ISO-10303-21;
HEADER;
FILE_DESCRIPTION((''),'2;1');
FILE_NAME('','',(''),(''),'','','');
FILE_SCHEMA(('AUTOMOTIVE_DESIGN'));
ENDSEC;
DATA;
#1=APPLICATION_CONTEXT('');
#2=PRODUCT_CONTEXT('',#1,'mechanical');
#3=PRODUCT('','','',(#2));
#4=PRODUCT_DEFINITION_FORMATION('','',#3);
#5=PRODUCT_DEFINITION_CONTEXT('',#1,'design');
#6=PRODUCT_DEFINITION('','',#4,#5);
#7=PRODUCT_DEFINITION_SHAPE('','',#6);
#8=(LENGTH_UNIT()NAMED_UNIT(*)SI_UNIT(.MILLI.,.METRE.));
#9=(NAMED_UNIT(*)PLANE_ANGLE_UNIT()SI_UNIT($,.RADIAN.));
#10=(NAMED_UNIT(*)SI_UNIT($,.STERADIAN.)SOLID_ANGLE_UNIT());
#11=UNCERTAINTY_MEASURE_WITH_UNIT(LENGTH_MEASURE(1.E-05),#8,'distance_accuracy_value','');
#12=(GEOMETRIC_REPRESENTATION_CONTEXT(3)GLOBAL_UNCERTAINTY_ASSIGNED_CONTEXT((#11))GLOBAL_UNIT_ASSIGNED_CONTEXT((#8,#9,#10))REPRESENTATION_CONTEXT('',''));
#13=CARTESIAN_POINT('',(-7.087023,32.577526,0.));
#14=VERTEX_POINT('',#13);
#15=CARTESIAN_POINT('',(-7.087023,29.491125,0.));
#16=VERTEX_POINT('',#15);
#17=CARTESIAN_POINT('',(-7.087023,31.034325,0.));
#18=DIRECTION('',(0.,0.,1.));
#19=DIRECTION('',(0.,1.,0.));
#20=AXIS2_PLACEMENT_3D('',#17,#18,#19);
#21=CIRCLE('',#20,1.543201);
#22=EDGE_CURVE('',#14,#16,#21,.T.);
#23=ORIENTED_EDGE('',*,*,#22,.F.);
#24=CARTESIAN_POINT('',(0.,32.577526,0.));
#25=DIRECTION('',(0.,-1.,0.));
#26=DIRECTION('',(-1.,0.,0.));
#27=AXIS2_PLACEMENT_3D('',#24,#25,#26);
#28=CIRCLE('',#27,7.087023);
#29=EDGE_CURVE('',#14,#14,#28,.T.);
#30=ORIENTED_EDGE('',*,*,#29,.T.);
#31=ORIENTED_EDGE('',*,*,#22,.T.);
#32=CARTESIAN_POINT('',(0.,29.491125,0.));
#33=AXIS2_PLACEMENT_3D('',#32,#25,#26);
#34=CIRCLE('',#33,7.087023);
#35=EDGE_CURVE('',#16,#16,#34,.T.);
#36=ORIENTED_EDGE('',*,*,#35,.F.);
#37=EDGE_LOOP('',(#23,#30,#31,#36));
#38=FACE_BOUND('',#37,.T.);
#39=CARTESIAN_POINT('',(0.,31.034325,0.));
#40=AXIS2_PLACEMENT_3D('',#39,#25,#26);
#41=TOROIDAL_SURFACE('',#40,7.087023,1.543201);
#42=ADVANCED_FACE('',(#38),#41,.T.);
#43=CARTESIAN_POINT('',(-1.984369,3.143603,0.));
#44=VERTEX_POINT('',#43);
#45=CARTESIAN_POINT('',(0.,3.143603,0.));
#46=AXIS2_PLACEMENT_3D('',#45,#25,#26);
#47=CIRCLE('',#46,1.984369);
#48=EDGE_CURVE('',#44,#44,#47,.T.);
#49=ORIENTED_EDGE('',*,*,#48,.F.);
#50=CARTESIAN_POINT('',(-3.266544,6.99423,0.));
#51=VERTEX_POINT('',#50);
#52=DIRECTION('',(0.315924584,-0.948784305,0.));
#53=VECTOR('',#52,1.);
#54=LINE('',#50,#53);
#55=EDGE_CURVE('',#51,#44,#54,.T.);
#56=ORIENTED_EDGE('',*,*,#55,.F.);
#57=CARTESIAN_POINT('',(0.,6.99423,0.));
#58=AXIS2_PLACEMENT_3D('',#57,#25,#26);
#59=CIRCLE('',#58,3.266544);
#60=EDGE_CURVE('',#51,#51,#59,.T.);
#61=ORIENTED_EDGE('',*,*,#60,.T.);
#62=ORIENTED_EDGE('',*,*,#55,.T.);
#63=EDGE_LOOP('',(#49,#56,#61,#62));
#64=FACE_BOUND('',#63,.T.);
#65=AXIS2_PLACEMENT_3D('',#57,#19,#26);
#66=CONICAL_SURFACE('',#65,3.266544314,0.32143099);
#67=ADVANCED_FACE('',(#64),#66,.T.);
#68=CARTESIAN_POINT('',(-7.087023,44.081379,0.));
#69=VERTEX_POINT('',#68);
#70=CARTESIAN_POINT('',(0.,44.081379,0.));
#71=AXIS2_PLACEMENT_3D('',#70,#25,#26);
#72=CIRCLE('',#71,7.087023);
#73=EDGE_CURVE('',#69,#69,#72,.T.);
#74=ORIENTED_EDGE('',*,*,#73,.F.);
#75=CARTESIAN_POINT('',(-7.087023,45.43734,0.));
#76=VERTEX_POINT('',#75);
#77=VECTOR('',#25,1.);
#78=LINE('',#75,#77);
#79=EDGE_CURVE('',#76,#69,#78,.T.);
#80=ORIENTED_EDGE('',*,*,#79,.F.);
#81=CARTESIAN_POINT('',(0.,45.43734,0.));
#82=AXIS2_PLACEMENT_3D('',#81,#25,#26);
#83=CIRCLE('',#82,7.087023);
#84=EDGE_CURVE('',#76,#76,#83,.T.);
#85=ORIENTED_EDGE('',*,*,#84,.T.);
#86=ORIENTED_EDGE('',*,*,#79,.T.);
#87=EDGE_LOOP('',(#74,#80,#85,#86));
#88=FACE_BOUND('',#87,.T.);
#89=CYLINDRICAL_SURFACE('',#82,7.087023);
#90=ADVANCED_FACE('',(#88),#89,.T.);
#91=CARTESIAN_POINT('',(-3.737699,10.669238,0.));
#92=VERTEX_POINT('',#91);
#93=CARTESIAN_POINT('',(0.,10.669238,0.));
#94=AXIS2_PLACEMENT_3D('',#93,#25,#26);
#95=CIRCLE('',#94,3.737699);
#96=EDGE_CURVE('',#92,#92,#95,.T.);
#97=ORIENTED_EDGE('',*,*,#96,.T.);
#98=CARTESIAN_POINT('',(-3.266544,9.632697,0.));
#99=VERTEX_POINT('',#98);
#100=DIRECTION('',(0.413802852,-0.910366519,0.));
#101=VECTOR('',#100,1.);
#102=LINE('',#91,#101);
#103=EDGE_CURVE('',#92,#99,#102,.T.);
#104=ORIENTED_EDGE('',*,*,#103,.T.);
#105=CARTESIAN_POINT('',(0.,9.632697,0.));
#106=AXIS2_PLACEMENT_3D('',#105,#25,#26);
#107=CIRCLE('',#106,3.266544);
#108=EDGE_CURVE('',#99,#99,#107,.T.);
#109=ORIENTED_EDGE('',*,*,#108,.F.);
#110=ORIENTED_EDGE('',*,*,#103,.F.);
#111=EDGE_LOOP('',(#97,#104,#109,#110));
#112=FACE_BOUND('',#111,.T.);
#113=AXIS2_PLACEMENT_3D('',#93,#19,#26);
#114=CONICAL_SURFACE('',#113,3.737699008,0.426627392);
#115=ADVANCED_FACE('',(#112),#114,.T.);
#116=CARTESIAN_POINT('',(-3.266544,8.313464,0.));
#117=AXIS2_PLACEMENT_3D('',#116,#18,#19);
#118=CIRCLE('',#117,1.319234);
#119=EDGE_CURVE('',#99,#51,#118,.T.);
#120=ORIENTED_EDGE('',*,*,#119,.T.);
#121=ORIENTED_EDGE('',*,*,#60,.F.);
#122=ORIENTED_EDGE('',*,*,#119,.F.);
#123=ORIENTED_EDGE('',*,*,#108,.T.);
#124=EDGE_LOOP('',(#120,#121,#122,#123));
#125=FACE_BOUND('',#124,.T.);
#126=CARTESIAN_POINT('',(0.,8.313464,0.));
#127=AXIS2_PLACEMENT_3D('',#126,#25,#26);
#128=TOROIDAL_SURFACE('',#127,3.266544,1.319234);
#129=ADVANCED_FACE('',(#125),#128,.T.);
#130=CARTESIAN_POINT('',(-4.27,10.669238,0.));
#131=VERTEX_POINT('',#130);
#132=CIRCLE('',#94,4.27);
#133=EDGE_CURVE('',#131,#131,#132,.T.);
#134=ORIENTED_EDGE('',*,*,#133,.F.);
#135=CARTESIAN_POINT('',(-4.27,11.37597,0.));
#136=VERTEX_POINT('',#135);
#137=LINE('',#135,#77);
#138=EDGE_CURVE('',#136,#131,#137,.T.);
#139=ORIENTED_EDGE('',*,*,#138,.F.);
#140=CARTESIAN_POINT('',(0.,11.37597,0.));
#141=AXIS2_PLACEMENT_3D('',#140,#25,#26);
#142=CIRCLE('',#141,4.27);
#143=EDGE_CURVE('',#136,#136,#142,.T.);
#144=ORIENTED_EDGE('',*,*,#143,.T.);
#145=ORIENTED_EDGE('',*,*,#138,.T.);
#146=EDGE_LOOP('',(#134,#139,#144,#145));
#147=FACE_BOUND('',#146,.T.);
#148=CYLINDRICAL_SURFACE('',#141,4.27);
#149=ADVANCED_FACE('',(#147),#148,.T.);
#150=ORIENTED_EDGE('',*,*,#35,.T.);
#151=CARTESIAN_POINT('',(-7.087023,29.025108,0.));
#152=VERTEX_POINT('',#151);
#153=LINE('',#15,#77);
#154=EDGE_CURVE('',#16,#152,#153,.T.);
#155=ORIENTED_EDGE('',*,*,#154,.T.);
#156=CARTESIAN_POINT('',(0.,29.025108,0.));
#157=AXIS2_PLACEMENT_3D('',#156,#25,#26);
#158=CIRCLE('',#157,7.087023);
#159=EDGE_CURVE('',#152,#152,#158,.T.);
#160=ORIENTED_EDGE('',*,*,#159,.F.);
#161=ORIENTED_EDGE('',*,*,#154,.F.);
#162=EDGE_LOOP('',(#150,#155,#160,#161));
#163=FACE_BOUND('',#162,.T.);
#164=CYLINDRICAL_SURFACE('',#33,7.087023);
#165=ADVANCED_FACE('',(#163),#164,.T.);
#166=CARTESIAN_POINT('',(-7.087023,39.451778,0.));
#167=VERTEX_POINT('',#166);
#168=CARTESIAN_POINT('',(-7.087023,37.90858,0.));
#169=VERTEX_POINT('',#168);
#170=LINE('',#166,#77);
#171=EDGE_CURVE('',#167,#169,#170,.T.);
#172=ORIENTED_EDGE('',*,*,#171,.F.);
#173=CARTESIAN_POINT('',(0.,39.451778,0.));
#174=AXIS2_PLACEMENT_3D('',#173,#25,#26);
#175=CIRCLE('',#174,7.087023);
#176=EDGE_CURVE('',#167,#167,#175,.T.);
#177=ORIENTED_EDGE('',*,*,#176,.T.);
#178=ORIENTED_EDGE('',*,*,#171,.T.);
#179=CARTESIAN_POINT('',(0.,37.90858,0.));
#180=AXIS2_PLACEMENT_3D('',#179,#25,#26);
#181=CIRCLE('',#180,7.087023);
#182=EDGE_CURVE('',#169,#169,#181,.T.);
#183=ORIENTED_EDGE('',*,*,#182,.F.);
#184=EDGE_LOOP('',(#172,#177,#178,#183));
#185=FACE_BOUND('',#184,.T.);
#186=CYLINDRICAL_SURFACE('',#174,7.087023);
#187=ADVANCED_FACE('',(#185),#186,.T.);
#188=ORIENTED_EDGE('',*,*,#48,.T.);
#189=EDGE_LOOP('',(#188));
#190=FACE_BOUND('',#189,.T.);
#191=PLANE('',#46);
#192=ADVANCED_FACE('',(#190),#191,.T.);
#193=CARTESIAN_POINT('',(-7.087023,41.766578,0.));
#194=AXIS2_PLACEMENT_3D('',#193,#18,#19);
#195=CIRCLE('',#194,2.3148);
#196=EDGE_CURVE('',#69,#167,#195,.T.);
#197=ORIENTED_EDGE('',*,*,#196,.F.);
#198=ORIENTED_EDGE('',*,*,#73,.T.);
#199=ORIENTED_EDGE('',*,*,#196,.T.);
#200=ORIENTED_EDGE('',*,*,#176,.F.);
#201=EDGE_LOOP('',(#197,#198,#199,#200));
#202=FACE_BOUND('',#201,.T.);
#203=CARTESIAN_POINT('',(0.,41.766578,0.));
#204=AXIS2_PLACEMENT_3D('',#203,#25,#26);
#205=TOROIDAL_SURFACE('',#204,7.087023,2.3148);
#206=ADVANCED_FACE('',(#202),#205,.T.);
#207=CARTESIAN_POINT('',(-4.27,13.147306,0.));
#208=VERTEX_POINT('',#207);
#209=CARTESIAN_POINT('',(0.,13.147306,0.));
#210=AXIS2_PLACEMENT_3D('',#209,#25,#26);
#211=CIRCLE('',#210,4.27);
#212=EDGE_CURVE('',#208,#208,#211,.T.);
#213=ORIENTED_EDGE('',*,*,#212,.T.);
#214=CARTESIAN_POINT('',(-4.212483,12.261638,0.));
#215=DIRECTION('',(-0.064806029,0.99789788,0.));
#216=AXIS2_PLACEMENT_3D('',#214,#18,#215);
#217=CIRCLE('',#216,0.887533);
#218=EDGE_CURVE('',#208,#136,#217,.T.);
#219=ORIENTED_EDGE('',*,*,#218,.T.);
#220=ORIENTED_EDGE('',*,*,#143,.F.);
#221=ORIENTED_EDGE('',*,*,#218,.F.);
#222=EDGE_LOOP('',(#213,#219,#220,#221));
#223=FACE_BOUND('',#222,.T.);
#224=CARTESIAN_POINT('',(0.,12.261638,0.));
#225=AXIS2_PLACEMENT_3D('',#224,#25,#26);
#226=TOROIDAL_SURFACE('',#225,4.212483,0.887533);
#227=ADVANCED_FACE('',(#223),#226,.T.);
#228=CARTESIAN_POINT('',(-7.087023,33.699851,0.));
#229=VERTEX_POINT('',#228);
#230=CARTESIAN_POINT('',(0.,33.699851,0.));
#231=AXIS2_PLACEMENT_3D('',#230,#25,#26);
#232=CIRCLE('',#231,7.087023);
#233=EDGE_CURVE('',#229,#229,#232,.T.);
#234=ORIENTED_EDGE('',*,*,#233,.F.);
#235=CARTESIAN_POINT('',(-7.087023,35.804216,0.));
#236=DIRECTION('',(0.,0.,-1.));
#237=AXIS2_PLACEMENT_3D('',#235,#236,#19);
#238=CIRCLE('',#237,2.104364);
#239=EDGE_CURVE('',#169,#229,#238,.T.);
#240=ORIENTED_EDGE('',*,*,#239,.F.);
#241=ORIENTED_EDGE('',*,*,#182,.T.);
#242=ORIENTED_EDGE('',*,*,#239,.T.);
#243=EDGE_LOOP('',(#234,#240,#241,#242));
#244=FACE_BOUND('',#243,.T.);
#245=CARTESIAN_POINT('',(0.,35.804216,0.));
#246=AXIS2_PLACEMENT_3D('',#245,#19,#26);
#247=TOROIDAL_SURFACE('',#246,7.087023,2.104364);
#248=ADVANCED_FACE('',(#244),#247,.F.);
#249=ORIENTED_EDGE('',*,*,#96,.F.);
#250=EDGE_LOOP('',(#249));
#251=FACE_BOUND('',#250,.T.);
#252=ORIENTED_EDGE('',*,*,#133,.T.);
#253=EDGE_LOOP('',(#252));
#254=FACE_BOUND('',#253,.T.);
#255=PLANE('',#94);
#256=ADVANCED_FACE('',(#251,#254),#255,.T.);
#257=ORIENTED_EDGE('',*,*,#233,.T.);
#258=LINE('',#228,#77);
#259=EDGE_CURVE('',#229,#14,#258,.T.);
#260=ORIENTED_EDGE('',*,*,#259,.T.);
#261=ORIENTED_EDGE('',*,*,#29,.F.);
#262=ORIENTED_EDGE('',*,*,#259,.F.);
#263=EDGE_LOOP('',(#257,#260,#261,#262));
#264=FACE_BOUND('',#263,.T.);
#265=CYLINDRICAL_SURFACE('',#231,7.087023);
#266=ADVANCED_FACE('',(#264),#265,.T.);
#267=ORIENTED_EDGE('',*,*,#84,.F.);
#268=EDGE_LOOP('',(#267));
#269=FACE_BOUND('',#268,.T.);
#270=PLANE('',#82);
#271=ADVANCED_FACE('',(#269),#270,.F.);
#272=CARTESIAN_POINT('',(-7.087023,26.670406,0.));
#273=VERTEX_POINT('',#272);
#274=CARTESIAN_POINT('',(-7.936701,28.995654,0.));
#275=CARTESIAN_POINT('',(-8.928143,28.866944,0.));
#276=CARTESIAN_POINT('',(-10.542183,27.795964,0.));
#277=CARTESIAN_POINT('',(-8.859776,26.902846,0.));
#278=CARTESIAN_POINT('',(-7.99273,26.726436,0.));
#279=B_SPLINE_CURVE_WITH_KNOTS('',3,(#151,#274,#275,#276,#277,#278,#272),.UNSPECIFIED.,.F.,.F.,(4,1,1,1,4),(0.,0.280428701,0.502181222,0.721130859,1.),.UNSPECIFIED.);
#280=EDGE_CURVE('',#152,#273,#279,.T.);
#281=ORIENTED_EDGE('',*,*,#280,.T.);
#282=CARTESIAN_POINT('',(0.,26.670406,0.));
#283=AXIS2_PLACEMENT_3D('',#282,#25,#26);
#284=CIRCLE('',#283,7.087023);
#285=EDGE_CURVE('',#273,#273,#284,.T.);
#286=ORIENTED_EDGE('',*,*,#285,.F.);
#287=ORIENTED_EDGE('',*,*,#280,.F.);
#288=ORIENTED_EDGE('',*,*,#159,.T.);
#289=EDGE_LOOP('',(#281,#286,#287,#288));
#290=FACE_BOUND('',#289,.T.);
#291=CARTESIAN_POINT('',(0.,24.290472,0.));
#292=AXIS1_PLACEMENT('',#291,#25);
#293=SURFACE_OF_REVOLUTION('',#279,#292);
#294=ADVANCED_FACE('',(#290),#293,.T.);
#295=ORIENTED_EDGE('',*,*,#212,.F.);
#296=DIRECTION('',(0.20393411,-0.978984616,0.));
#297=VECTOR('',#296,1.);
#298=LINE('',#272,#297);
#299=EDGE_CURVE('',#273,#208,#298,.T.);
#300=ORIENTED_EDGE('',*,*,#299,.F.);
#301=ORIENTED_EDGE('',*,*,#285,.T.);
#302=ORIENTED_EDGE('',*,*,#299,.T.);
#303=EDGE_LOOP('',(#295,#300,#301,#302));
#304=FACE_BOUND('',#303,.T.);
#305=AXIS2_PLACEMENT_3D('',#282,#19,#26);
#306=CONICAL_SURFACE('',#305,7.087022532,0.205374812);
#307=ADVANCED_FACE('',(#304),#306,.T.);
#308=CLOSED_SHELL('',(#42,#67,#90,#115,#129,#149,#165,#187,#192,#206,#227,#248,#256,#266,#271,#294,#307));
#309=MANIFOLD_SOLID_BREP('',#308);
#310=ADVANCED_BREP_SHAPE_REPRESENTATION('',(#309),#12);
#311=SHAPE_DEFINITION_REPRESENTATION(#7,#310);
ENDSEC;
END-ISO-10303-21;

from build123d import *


with BuildPart() as f1:
    # F0 (on Top) → F1 (revolve)
    with BuildSketch(Plane.XY):
        with BuildLine():
            Line((0, 45.4373398854), (-7.0870225318, 45.4373398854))
            Line((-7.0870225318, 45.4373398854), (-7.0870225318, 44.0813787282))
            ThreePointArc((-7.0870225318, 44.0813787282), (-9.4018229283, 41.7665783316), (-7.0870225318, 39.451777935))
            Line((-7.0870225318, 39.451777935), (-7.0870225318, 37.9085801542))
            ThreePointArc((-7.0870225318, 37.9085801542), (-4.9826581962, 35.8042158186), (-7.0870225318, 33.6998514831))
            Line((-7.0870225318, 33.6998514831), (-7.0870225318, 32.5775258243))
            ThreePointArc((-7.0870225318, 32.5775258243), (-8.6302231066, 31.0343252495), (-7.0870225318, 29.4911246747))
            Line((-7.0870225318, 29.4911246747), (-7.0870225318, 29.0251076221))
            add(Edge.make_bspline(
                [(-7.0870225318, 29.0251076221), (-7.9367011786, 28.9956536144), (-8.9281425658, 28.866943828), (-10.5421832914, 27.7959639203), (-8.8597758689, 26.9028460294), (-7.992730476, 26.7264358699), (-7.0870225318, 26.6704056412)],
                knots=[0, 0, 0, 0, 0.2804287013, 0.5021812223, 0.7211308594, 1, 1, 1, 1], degree=3))
            Line((-7.0870225318, 26.6704056412), (-4.2700003833, 13.1473056972))
            ThreePointArc((-4.2700003833, 13.1473056972), (-5.1000163123, 12.2616379522), (-4.2700003833, 11.3759702072))
            Line((-4.2700003833, 11.3759702072), (-4.2700003833, 10.6692379341))
            Line((-4.2700003833, 10.6692379341), (-3.7376990076, 10.6692379341))
            Line((-3.7376990076, 10.6692379341), (-3.2665443141, 9.6326973289))
            ThreePointArc((-3.2665443141, 9.6326973289), (-4.5857781079, 8.3134635352), (-3.2665443141, 6.9942297414))
            Line((-3.2665443141, 6.9942297414), (-1.9843692426, 3.143603215))
            Line((-1.9843692426, 3.143603215), (0, 3.143603215))
            Line((0, 3.143603215), (0, 45.4373398854))
        make_face()
    revolve(axis=Axis((0, 24.2904715502, 0), (0, -1, 0)))


solid = f1.part
